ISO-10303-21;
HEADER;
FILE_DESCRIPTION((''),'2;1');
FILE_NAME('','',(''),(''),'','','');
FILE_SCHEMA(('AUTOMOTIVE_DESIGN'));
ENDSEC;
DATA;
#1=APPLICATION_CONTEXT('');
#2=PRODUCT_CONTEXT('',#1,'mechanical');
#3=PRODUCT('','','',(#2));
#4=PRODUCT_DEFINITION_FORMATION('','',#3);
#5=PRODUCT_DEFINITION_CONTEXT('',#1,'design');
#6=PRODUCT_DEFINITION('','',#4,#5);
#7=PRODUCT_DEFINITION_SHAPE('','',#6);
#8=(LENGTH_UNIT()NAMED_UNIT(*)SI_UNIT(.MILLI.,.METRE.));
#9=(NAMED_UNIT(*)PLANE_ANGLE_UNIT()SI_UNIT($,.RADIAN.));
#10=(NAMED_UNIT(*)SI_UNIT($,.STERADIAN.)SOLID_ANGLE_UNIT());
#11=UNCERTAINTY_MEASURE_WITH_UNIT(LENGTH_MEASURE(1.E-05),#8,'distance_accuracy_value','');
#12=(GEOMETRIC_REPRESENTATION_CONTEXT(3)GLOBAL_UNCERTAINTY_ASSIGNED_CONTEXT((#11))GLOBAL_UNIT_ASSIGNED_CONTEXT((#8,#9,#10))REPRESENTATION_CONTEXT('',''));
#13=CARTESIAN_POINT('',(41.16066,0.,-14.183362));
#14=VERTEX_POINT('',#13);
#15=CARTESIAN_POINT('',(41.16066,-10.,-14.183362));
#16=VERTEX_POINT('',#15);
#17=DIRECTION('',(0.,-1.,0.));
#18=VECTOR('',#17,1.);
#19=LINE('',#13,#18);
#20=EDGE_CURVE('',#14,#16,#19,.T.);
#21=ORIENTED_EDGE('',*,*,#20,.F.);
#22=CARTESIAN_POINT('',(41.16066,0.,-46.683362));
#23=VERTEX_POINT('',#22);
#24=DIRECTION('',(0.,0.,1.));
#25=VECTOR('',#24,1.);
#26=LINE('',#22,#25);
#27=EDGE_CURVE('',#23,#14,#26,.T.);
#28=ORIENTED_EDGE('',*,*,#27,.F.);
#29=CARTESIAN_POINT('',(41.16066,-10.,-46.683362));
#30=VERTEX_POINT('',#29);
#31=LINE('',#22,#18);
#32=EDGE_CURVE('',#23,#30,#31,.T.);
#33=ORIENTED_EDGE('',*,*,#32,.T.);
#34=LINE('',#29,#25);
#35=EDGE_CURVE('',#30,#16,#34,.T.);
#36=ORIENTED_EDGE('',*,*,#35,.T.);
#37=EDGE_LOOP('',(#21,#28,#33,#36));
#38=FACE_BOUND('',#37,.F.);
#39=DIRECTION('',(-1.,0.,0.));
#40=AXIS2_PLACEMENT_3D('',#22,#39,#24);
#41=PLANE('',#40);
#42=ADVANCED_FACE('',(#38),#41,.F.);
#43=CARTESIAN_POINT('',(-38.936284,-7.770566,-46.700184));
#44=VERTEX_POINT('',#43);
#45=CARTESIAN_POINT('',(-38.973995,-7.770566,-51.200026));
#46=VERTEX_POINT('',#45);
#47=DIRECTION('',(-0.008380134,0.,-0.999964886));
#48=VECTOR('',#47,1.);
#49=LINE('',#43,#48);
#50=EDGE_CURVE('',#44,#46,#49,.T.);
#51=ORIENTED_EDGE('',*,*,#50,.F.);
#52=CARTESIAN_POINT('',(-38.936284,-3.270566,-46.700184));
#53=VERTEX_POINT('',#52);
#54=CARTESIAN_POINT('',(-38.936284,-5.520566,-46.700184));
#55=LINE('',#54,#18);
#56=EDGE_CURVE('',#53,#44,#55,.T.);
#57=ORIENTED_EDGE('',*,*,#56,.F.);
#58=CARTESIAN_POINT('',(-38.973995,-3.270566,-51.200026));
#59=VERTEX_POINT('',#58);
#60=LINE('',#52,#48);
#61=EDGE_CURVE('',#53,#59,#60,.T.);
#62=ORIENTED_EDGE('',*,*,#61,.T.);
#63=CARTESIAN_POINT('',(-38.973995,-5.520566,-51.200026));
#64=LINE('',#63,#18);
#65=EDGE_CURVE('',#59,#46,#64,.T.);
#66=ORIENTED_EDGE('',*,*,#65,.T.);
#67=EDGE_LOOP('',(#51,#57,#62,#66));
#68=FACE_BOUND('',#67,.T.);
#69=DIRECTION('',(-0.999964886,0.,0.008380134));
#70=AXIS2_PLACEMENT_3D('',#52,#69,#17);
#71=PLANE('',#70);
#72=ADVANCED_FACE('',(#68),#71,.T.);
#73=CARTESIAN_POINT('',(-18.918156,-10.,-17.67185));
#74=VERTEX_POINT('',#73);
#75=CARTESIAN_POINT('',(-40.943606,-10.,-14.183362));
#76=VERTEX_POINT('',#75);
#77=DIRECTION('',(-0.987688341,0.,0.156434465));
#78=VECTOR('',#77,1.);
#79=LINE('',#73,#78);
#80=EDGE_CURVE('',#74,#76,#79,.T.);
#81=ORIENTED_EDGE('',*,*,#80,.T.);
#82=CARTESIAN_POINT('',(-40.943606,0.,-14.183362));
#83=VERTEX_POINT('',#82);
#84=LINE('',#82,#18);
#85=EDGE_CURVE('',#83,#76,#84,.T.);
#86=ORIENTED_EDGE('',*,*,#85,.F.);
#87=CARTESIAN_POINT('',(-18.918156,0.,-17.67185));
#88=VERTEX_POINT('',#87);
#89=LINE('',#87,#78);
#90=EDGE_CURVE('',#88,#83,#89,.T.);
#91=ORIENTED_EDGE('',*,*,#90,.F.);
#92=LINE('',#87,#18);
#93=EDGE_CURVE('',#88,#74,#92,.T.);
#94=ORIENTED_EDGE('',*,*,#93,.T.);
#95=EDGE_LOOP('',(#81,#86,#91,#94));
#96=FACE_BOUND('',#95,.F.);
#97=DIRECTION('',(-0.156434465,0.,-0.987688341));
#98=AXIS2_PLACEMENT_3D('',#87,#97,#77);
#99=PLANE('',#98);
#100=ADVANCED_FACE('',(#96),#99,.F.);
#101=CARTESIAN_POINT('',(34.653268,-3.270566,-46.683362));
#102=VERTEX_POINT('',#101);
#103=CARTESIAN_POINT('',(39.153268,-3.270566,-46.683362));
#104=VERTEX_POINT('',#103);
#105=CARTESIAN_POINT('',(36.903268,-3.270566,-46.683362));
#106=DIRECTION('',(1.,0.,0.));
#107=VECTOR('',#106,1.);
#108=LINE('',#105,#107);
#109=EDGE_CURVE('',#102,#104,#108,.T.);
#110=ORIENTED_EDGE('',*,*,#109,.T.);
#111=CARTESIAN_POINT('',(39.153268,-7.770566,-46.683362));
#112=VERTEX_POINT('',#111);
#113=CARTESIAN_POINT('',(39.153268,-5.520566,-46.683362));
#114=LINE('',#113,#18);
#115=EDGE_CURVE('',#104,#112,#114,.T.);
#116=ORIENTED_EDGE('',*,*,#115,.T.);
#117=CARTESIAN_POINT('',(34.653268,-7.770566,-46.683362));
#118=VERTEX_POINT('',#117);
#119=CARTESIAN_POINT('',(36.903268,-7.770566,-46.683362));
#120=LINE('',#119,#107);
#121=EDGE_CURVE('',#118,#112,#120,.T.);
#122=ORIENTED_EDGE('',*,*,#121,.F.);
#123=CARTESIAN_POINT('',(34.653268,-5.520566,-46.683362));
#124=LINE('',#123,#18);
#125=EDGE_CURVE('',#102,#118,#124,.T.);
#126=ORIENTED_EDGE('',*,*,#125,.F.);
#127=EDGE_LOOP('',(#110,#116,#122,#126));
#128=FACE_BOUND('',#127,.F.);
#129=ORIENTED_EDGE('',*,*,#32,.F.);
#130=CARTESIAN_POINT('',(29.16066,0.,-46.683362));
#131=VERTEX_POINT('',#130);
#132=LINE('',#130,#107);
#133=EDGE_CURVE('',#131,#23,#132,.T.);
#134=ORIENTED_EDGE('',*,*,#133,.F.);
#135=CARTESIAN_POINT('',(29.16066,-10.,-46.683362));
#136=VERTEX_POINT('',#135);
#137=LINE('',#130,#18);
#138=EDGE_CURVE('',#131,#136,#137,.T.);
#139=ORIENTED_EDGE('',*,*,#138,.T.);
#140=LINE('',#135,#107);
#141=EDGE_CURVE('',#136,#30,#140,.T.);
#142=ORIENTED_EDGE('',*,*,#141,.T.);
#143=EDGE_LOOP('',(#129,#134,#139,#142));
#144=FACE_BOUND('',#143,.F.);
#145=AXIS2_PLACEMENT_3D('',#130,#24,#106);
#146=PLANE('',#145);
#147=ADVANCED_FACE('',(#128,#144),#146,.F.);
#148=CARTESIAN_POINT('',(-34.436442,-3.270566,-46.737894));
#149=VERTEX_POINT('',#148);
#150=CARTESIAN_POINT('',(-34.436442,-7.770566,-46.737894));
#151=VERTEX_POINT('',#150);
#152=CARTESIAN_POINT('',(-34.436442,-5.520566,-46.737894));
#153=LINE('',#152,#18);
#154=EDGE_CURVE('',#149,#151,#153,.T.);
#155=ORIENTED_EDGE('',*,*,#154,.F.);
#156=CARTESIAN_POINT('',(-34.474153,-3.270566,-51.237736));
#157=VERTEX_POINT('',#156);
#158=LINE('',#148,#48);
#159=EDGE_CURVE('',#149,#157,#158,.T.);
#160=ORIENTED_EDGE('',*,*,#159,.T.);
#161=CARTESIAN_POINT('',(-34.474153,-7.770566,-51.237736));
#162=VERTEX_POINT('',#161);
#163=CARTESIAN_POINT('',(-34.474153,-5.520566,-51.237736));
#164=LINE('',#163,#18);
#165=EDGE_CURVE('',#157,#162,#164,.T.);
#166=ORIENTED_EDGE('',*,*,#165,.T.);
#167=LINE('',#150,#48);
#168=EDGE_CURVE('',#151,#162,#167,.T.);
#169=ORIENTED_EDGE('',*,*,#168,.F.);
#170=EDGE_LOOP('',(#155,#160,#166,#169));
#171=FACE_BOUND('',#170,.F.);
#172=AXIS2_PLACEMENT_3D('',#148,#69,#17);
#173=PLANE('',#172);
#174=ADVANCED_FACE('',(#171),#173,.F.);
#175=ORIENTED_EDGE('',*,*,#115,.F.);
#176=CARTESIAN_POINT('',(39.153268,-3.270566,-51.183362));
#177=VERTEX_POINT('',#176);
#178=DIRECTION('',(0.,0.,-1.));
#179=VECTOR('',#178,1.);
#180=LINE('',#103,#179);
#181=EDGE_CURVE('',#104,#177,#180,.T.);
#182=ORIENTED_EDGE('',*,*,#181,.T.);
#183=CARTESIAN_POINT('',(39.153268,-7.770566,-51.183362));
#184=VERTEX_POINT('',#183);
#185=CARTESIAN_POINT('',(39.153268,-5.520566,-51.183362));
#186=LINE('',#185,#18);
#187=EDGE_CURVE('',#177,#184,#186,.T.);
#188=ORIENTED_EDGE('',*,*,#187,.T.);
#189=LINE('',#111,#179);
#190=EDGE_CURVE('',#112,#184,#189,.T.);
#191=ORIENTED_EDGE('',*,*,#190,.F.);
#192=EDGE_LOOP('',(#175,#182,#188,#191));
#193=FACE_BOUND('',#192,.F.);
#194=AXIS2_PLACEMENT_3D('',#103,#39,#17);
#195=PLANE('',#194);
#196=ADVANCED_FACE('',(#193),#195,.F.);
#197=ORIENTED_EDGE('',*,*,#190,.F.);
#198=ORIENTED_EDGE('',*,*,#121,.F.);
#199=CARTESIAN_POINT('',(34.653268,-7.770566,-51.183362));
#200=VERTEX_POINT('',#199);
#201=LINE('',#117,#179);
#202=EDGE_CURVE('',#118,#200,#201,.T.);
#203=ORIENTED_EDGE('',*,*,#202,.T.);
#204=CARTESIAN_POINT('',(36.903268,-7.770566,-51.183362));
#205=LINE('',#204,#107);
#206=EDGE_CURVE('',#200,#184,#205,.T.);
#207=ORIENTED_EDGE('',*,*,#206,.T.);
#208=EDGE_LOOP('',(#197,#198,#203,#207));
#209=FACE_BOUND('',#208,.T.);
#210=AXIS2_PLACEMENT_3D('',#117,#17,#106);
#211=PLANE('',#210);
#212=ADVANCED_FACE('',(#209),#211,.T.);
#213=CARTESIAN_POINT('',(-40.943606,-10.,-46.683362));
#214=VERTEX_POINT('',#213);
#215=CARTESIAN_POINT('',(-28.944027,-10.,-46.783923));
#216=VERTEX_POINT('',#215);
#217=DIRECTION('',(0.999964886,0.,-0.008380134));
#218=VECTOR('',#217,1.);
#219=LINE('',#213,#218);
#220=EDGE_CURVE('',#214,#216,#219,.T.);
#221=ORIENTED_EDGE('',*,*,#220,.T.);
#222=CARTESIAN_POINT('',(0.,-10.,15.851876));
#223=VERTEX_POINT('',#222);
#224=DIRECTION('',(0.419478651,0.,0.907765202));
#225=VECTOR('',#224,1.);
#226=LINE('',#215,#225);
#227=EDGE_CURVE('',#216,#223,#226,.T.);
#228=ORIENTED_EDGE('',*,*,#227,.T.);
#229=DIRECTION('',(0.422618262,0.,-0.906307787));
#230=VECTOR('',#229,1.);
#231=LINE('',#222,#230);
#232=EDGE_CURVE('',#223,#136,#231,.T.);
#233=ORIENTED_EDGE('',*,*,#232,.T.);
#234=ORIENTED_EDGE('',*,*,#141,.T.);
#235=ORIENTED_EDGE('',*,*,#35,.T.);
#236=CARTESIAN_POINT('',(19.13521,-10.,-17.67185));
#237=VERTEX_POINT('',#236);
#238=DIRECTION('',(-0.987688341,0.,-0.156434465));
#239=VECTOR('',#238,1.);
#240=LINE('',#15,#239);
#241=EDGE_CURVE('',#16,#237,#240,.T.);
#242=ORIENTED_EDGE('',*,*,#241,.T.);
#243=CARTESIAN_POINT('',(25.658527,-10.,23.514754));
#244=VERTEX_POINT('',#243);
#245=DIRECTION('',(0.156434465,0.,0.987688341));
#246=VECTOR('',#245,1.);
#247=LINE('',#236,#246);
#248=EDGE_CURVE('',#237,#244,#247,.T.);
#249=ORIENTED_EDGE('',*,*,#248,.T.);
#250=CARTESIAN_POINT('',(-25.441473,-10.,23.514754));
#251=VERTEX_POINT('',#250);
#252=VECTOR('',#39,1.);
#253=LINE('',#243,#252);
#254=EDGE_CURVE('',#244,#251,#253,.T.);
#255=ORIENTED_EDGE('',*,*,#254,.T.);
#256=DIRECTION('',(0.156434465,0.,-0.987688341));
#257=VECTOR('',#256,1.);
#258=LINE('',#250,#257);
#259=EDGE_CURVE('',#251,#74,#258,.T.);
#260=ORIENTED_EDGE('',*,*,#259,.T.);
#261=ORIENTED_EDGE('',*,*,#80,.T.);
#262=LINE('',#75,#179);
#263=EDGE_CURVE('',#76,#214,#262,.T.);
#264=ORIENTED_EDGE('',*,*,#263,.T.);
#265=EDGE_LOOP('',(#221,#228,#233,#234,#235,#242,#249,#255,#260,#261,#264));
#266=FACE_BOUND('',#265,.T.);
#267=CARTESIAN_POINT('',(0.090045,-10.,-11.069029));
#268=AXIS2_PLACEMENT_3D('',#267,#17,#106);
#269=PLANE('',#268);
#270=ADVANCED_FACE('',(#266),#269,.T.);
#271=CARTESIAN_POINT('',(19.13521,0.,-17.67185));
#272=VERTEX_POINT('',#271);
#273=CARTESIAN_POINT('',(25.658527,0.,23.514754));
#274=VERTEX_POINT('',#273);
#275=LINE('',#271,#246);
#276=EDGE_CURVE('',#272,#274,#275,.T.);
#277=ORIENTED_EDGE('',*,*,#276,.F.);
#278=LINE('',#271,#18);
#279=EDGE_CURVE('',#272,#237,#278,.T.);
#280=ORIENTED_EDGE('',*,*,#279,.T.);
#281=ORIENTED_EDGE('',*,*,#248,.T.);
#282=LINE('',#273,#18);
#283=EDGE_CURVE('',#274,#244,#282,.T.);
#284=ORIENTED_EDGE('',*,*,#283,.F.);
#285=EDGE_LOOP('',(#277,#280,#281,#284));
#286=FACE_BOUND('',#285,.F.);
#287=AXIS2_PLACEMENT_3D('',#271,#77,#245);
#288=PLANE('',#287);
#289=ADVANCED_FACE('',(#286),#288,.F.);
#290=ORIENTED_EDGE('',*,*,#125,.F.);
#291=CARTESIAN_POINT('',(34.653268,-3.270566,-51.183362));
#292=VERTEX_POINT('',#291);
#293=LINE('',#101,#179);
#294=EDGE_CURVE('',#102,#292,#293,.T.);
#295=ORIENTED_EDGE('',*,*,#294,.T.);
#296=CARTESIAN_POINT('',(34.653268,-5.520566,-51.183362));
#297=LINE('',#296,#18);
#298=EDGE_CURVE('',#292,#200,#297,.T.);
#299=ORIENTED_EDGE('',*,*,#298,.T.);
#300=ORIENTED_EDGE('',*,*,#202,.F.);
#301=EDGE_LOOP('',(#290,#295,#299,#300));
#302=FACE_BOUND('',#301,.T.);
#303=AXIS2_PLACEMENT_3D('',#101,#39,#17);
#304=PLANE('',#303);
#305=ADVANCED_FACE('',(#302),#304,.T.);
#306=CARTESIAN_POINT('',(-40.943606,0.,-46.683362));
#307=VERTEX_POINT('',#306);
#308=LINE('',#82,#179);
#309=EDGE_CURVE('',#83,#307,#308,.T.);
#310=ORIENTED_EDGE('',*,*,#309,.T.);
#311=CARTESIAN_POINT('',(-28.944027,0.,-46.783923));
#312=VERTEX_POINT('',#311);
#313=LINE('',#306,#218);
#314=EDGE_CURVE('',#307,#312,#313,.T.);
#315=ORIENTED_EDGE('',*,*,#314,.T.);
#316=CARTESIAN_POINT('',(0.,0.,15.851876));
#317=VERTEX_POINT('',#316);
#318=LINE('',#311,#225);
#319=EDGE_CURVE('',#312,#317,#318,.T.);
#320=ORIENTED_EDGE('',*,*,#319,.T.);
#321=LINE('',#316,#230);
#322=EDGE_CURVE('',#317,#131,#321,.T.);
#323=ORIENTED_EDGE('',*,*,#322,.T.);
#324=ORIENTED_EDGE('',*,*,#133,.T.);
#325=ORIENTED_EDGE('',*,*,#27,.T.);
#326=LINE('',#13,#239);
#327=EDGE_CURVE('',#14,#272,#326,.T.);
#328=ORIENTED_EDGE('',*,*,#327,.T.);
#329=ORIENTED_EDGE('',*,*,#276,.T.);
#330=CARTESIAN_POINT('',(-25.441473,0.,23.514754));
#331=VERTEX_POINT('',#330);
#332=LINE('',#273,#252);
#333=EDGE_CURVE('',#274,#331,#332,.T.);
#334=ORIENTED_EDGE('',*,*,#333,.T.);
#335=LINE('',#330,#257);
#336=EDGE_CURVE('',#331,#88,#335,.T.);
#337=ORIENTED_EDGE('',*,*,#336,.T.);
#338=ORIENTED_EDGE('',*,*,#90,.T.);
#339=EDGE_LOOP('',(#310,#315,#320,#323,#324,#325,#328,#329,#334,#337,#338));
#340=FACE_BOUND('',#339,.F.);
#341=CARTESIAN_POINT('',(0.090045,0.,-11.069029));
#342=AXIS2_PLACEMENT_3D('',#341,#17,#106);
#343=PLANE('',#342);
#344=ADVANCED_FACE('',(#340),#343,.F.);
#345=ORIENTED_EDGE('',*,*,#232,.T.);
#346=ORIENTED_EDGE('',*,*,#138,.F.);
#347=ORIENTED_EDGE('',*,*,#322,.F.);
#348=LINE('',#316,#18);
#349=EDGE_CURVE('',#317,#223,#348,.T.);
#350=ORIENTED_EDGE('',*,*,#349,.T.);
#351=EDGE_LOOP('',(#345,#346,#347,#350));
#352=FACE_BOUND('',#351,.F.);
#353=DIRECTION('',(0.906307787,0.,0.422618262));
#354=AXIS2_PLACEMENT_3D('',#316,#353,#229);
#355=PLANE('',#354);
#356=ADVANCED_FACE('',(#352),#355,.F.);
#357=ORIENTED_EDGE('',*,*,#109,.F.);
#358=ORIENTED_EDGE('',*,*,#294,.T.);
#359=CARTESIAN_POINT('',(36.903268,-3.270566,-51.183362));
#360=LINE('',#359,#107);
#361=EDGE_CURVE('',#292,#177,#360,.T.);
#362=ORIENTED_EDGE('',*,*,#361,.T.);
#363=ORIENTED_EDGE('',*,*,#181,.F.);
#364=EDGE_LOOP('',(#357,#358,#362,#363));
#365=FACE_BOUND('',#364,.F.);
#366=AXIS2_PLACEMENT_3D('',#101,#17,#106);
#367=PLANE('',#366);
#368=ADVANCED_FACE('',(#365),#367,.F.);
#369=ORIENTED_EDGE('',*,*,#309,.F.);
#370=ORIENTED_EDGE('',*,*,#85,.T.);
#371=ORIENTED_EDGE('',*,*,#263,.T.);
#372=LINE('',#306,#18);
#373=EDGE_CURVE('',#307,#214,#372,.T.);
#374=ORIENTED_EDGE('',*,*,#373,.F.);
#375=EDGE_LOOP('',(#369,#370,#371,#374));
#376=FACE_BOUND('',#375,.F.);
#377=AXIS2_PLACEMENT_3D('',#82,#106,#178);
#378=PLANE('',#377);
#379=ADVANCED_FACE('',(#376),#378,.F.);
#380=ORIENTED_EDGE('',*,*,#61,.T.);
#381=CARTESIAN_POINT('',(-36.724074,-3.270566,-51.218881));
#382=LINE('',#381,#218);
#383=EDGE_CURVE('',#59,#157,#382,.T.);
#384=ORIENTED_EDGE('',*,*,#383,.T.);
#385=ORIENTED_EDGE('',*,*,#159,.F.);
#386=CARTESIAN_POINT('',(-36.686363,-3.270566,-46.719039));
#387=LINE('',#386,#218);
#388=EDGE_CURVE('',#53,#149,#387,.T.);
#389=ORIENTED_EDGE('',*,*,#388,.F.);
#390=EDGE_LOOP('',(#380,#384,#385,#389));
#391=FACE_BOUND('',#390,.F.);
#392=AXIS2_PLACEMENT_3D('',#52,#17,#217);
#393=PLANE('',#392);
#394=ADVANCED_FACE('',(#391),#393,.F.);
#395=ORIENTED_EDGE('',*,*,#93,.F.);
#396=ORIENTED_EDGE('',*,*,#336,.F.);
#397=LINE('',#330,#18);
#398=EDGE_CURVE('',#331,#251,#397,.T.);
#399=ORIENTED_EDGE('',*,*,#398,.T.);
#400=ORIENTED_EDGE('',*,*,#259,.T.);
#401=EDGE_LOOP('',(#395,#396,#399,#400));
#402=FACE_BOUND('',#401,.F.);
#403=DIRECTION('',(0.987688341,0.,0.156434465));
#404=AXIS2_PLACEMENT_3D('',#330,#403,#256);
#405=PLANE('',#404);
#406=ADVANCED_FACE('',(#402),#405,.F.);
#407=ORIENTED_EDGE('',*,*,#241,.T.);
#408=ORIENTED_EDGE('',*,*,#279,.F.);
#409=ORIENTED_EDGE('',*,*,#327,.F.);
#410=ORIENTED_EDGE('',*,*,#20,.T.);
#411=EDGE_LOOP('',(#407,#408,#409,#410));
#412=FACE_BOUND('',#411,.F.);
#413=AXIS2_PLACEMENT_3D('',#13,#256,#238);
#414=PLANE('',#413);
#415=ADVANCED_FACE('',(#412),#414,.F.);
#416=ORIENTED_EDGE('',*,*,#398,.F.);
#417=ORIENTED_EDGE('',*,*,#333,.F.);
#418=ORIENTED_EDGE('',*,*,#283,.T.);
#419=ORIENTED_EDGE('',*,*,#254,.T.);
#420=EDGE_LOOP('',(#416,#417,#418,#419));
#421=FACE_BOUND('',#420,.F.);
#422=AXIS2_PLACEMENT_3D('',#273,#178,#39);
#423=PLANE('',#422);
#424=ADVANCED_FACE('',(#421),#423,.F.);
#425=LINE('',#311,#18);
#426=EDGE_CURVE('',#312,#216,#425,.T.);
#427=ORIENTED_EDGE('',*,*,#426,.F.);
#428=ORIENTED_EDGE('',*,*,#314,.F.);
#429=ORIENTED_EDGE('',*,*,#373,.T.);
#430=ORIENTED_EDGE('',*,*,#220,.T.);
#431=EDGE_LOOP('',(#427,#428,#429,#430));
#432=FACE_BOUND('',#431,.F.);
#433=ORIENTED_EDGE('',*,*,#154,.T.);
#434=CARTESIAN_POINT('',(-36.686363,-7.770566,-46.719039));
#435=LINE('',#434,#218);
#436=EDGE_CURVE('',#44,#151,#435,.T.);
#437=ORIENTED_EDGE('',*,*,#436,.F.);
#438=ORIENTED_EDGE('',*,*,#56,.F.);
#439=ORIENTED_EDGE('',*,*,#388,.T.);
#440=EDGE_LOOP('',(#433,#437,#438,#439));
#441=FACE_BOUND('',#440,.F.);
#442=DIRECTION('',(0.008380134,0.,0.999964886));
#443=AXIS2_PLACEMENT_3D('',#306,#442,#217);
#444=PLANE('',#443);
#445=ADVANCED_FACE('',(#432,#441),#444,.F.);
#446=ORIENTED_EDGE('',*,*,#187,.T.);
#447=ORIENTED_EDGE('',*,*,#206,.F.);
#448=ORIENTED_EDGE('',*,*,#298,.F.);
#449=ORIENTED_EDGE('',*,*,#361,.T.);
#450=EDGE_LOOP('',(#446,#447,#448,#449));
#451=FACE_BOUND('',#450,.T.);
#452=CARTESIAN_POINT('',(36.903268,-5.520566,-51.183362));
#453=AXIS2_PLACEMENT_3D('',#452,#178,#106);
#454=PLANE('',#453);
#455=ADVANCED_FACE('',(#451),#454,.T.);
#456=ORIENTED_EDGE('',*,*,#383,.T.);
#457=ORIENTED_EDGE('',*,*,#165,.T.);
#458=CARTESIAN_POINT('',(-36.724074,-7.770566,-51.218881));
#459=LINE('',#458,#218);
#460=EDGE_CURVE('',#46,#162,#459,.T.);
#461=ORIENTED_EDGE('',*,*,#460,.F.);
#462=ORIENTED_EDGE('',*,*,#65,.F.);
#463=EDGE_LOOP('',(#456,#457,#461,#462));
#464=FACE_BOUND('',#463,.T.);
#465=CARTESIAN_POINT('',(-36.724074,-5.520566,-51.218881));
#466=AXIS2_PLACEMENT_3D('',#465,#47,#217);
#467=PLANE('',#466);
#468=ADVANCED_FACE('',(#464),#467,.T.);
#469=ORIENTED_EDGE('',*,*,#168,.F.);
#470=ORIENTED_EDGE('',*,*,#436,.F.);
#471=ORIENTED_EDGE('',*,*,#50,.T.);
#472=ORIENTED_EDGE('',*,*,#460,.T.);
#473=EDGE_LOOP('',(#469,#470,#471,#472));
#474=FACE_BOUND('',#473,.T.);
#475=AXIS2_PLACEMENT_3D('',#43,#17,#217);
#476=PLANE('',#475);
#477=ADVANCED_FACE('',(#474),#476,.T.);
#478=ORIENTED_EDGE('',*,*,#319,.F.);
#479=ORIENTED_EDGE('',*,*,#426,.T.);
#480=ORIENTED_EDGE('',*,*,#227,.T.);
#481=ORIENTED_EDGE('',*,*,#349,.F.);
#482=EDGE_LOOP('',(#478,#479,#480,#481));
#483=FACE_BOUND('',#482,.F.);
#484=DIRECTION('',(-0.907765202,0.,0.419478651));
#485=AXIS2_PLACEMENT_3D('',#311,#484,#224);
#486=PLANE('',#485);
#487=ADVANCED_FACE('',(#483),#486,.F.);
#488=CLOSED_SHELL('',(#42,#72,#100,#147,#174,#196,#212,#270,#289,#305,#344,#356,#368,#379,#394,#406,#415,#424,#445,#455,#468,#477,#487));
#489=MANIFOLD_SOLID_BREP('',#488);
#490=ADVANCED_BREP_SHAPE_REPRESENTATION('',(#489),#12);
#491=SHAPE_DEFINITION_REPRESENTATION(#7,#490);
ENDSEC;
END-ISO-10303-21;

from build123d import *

# Parameters (mm, degrees)
F1_DEPTH = 10
F2_W     = 4.5
F2_H     = 4.5
F3_DEPTH = 4.5
F4_W     = 4.5
F4_H     = 4.5
F5_DEPTH = 4.5


with BuildPart() as f1:
    # F0 (on Front) → F1 (new body)
    with BuildSketch(Plane.XZ):
        Polygon((25.658527257, 23.514753694), (-25.441472743, 23.514753694), (-18.9181555508, -17.6718501088), (-40.9436055461, -14.1833615384), (-40.9436055461, -46.6833615384), (-28.9440269134, -46.7839231504), (0, 15.8518757671), (29.1606600601, -46.6833615384), (41.1606600601, -46.6833615384), (41.1606600601, -14.1833615384), (19.1352100648, -17.6718501088), align=None)
    extrude(amount=F1_DEPTH)

    # F2 (on face) → F3 (join)
    with BuildSketch(Plane(origin=(-0.3940744361, 0, -47.0231839888), x_dir=(0.9999648861, 0, -0.0083801343), z_dir=(-0.0083801343, 0, -0.9999648861))):
        with Locations((-36.2935631948, 5.5205655236)):
            Rectangle(F2_W, F2_H)
    extrude(amount=F3_DEPTH)

    # F4 (on face) → F5 (join)
    with BuildSketch(Plane(origin=(0, 0, -46.6833615384), x_dir=(1, 0, 0), z_dir=(0, 0, -1))):
        with Locations((36.903268241, 5.5205655236)):
            Rectangle(F4_W, F4_H)
    extrude(amount=F5_DEPTH)


solid = f1.part
